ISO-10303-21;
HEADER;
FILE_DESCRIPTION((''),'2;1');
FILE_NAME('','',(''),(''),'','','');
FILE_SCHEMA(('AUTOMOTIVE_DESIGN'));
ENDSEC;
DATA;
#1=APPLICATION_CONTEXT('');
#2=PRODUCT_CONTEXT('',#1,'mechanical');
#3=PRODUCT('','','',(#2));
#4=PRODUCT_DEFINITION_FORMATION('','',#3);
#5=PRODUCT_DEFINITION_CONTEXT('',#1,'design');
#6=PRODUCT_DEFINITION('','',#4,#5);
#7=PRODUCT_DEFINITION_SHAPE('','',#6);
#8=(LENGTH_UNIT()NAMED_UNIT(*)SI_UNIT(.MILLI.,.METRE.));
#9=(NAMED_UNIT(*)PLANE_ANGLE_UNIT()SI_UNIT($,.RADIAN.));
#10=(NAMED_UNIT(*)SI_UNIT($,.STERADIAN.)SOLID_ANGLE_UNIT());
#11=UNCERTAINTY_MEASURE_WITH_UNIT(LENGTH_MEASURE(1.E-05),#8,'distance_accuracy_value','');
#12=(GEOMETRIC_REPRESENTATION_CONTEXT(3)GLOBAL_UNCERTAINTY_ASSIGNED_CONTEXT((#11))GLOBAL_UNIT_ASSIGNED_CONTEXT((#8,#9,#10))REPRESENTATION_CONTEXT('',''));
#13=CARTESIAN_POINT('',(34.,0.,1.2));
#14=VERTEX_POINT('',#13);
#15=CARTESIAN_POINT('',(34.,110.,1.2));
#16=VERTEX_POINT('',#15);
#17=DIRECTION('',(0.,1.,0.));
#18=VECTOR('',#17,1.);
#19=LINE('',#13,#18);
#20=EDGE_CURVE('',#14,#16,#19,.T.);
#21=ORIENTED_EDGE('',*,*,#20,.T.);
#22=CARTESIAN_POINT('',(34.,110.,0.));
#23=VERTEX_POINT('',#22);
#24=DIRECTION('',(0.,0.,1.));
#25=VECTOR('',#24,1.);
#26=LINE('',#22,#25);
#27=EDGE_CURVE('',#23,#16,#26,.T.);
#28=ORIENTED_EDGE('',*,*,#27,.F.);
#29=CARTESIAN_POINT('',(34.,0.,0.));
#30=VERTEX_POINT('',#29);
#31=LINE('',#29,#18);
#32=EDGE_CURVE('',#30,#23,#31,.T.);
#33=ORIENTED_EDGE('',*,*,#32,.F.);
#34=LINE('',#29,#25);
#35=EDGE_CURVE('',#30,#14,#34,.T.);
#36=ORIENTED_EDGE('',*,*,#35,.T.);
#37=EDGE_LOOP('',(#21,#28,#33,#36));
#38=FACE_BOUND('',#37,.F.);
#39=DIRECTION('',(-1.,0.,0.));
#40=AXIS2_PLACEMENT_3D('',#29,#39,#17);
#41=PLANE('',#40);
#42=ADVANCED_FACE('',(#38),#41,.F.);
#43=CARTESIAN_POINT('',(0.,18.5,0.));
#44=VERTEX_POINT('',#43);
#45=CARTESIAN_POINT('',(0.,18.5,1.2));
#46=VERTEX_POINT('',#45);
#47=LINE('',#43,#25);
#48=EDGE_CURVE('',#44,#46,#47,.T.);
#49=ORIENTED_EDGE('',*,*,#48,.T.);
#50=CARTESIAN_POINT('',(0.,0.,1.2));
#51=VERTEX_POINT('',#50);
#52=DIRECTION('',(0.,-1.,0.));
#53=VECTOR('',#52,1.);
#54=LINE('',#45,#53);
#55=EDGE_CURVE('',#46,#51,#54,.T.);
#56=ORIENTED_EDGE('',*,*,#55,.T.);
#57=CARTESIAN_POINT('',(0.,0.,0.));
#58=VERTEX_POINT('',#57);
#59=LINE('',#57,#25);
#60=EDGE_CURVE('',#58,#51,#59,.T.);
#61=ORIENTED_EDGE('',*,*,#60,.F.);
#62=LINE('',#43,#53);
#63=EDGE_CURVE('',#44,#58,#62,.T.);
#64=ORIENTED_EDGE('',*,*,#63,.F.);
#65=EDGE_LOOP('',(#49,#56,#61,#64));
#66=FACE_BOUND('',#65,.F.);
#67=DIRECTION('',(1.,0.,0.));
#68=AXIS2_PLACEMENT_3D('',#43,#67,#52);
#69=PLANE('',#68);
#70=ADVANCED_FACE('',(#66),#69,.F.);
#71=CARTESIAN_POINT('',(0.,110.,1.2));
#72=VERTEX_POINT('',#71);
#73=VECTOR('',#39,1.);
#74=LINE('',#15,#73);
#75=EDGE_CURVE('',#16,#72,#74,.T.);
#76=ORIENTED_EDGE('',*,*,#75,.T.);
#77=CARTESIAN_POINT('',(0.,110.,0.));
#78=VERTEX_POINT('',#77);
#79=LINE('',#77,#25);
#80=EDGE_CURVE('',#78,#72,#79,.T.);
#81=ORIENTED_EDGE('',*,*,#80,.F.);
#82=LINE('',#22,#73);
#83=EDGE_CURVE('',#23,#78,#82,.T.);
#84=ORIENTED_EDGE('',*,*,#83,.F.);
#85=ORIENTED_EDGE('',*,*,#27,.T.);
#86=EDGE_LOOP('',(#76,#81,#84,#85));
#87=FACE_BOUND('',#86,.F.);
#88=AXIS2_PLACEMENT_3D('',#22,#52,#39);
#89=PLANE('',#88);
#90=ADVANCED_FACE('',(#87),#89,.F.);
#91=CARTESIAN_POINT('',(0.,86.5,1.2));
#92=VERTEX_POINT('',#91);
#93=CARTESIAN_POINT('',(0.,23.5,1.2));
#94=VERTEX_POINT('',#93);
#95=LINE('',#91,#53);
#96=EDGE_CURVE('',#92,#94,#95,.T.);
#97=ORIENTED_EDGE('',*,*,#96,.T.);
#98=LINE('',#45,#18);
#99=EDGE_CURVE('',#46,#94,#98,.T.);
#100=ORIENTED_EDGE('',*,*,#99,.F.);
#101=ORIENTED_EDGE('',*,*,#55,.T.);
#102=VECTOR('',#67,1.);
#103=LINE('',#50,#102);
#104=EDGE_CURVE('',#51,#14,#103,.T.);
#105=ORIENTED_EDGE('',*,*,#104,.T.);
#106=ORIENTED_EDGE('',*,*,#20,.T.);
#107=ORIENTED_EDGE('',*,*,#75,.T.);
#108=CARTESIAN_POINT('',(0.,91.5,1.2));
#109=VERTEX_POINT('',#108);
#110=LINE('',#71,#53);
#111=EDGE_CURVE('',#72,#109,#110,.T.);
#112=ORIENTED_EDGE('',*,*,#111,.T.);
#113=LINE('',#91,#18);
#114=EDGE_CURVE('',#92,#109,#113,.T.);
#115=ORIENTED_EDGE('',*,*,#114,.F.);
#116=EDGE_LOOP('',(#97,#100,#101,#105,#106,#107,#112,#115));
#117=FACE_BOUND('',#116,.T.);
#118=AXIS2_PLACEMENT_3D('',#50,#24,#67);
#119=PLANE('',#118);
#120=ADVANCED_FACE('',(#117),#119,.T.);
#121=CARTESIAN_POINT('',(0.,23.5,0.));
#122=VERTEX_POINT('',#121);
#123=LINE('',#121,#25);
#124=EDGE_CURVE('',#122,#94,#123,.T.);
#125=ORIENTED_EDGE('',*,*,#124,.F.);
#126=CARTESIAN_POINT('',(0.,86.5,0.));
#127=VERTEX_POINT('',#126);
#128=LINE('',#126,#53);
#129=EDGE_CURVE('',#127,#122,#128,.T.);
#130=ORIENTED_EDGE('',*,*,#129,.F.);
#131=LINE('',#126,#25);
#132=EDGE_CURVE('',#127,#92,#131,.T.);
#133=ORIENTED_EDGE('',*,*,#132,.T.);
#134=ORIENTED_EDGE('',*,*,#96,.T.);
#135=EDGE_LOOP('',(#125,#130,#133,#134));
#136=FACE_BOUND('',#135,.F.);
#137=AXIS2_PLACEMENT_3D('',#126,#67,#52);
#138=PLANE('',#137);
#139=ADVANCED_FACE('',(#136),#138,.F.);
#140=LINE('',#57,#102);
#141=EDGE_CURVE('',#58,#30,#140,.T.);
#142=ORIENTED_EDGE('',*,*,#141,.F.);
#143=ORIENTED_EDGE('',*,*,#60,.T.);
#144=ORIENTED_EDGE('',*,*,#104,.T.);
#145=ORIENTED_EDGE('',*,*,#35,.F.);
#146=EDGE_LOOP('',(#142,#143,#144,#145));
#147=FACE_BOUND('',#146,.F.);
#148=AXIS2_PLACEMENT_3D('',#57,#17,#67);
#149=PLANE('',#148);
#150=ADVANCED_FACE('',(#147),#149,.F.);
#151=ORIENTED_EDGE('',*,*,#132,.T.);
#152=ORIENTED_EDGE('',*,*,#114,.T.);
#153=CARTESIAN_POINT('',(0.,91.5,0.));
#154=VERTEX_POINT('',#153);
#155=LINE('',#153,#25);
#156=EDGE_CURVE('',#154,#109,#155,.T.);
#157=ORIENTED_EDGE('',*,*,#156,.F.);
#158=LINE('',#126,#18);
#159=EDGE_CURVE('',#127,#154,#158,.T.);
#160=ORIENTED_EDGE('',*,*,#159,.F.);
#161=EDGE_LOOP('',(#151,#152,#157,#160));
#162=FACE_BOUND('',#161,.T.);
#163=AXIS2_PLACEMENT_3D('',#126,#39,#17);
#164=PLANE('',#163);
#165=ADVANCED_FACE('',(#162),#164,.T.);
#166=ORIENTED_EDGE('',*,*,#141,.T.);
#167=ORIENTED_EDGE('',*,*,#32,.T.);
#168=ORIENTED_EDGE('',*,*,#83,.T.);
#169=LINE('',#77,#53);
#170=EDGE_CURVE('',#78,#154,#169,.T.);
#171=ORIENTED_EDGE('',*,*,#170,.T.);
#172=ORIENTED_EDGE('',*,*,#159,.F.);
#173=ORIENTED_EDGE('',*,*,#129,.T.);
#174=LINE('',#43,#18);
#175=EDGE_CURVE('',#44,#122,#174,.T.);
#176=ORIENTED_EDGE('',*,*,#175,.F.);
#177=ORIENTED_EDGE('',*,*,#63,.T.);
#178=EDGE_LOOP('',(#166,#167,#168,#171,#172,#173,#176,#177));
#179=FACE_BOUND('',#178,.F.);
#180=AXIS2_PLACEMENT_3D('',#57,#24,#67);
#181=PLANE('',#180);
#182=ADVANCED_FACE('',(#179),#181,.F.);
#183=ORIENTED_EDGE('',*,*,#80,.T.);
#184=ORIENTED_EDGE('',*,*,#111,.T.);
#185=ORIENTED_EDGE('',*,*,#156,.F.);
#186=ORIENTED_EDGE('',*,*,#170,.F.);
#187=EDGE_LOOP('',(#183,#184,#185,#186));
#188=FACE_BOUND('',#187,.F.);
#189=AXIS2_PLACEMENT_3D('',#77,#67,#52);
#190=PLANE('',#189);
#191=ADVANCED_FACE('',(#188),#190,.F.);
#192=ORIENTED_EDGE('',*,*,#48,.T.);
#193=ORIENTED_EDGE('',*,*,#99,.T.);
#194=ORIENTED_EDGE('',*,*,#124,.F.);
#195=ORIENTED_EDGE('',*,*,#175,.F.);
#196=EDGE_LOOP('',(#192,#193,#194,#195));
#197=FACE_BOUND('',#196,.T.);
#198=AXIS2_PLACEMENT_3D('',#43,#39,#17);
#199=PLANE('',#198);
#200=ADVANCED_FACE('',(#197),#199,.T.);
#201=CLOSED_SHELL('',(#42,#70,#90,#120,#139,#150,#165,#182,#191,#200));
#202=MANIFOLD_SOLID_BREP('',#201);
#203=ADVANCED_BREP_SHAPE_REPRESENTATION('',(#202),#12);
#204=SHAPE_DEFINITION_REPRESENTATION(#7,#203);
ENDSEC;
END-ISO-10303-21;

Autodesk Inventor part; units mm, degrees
ref_plane "YZ Plane" through (0, 0, 0) normal (1, 0, 0) x (0, 1, 0)
ref_plane "XZ Plane" through (0, 0, 0) normal (0, 1, 0) x (-1, 0, 0)
ref_plane "XY Plane" through (0, 0, 0) normal (0, 0, 1) x (1, 0, 0)
sketch "Skizze1" plane through (0, 0, 0) normal (0, 0, 1) x (1, 0, 0)
  line L0 (0, 0) -> (34, 0)
  line L1 (34, 0) -> (34, 110)
  line L2 (34, 110) -> (0, 110)
  line L3 (0, 110) -> (0, 91.5)
  line L4 (0, 86.5) -> (0, 91.5)
  line L5 (0, 18.5) -> (0, 23.5)
  line L6 (0, 23.5) -> (0, 18.5) construction
  line L7 (0, 18.5) -> (0, 0)
  line L8 (0, 86.5) -> (0, 23.5)
  line L9 (0, 91.5) -> (0, 86.5) construction
  dimension "d0" = 34
  dimension "d1" = 110
extrude "Extrusion1" add sketch "Skizze1" along normal blind 1.2
properties part number "bett_V2_deckplatte_klappe" material "Holz (Walnuss)"
